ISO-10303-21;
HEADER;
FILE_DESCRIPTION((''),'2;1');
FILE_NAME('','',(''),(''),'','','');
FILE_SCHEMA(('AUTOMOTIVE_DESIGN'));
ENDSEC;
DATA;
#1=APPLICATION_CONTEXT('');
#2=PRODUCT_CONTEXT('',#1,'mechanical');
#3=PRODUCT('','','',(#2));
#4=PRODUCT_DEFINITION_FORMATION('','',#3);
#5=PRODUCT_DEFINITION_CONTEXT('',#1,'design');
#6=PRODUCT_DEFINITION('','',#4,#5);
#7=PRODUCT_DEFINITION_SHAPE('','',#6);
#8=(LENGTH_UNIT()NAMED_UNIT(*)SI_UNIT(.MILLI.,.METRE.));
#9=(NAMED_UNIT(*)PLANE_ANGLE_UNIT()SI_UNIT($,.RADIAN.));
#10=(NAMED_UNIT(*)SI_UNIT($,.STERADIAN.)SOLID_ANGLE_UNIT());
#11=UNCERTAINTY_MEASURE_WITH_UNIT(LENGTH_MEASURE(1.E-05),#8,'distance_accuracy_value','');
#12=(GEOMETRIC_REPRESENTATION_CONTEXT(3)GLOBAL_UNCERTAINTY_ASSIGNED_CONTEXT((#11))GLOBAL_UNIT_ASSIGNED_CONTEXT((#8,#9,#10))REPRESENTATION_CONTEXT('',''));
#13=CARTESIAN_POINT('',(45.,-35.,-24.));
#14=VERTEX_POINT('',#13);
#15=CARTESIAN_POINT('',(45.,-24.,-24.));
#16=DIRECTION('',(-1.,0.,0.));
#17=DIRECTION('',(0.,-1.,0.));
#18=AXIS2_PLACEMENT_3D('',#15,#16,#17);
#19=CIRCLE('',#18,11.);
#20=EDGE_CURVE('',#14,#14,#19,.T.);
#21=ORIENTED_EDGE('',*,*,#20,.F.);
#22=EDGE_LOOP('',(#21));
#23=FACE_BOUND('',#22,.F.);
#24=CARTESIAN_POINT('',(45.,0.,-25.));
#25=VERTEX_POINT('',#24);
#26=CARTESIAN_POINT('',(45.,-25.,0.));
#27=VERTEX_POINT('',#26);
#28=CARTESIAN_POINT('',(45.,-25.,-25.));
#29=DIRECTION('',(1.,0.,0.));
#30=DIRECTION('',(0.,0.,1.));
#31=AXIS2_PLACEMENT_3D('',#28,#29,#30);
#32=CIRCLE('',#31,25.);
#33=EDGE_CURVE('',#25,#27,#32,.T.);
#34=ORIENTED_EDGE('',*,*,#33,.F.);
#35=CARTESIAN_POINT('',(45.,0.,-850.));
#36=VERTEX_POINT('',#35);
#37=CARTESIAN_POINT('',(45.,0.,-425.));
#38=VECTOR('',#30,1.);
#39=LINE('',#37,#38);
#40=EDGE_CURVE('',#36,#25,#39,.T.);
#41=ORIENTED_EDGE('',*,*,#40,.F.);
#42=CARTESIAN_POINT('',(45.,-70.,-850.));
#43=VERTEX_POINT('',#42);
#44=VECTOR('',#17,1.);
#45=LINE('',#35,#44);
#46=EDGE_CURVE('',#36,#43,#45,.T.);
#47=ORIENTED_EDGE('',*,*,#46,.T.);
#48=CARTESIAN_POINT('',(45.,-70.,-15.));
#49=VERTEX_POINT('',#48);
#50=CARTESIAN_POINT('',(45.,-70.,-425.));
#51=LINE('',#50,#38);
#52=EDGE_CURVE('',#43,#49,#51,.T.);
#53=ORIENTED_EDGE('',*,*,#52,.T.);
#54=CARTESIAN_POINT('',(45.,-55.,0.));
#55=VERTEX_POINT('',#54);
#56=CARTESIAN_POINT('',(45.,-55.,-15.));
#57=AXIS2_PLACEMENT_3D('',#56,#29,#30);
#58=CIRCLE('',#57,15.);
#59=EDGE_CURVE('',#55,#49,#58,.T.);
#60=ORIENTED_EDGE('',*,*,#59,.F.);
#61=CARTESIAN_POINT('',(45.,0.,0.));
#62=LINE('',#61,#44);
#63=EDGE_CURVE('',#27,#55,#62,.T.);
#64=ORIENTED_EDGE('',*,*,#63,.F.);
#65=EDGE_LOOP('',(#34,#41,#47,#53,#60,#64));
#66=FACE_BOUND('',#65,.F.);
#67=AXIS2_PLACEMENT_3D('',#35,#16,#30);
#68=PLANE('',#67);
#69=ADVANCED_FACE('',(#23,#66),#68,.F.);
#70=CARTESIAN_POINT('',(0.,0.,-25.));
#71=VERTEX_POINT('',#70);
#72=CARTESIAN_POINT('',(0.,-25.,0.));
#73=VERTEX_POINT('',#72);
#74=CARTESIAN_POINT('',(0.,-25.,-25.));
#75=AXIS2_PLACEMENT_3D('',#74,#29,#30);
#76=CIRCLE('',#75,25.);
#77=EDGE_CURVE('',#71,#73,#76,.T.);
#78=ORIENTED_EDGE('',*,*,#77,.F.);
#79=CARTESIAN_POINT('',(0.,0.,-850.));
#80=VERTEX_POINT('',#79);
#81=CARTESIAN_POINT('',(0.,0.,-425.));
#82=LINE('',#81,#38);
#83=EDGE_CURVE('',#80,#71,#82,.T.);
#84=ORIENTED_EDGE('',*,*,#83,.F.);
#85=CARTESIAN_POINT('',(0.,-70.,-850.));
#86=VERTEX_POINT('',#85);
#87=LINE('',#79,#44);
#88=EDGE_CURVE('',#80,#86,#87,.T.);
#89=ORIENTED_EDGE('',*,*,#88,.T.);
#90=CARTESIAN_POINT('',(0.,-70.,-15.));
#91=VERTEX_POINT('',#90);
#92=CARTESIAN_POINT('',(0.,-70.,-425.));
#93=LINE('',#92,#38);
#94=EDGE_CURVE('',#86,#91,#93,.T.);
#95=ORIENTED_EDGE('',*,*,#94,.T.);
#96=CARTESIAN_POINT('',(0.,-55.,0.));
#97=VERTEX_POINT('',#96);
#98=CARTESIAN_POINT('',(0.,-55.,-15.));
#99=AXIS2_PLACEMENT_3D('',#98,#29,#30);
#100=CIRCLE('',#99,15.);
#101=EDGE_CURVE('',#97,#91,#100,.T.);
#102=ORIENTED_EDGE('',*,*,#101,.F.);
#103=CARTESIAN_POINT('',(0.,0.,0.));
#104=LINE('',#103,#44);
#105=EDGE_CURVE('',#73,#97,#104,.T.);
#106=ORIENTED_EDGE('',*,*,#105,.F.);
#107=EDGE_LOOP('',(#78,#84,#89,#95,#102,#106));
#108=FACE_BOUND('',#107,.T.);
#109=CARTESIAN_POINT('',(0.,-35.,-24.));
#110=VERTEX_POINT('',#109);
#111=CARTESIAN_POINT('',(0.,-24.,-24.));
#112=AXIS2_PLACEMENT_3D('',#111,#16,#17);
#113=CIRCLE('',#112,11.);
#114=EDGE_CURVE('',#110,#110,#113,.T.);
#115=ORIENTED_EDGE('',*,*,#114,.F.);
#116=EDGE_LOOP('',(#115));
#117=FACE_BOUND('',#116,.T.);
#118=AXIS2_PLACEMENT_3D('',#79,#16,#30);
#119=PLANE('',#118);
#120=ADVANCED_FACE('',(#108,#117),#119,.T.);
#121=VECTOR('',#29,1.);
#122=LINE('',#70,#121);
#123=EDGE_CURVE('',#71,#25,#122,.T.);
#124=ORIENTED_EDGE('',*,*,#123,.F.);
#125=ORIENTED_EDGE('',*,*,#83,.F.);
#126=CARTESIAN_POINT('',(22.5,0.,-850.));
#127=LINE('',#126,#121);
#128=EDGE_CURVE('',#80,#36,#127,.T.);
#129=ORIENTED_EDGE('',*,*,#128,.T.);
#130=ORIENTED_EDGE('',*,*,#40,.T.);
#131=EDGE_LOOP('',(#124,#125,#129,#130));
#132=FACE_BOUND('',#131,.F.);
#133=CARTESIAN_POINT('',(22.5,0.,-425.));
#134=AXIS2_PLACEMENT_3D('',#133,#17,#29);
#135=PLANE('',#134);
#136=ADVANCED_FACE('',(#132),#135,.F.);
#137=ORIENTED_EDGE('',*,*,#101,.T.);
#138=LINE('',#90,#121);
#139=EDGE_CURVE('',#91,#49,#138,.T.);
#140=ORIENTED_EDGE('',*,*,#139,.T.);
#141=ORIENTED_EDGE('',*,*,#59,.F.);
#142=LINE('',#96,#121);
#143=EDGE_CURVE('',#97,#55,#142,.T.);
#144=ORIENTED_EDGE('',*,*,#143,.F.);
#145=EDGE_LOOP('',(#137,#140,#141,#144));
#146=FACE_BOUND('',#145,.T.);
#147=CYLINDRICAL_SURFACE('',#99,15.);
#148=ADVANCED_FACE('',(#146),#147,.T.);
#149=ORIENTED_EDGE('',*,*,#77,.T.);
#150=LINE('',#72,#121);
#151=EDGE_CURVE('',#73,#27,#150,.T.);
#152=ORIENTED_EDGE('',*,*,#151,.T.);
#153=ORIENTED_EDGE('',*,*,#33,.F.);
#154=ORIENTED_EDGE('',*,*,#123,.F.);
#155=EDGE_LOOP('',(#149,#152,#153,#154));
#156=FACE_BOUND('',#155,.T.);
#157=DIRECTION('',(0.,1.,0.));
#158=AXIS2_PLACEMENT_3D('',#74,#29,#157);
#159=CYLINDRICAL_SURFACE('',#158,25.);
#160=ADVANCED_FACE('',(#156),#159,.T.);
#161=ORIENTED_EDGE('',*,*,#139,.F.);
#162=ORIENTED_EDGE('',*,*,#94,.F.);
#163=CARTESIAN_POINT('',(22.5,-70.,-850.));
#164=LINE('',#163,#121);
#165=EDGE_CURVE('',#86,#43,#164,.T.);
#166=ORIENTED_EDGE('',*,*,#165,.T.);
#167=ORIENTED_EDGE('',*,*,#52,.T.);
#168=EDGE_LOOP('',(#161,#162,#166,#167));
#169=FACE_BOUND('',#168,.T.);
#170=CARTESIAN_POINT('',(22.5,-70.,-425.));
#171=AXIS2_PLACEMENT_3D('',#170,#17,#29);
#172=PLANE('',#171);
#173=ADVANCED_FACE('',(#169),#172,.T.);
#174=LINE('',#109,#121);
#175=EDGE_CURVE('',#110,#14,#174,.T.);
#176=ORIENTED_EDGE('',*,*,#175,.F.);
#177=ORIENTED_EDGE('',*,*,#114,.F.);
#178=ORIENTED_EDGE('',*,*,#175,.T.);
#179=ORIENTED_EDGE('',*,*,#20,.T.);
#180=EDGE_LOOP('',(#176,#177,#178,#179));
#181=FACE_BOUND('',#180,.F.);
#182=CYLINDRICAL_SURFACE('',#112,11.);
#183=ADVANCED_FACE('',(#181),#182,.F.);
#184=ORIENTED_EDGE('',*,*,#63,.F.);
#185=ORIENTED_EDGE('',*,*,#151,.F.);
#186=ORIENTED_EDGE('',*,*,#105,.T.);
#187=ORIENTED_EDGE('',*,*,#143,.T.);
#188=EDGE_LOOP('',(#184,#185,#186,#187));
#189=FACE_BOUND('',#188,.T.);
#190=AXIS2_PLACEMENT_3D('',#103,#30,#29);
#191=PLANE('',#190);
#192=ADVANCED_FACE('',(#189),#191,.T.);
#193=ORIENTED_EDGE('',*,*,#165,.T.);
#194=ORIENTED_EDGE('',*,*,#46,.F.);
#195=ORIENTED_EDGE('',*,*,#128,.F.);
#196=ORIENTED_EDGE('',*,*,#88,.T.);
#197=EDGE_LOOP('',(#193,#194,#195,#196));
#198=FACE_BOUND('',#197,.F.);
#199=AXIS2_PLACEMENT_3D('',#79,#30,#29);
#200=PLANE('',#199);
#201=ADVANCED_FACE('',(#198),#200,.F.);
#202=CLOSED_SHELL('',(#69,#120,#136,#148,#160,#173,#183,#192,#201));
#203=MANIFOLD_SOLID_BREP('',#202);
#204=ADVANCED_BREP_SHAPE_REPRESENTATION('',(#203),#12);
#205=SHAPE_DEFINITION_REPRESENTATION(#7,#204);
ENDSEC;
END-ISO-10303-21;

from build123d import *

# Parameters (mm, degrees)
F0_W     = 45
F0_H     = 850
F1_DEPTH = 70
F2_R     = 11
F3_DEPTH = 45.001
F4_R     = 25
F5_R     = 15


with BuildPart() as f1:
    # F0 (on Front) → F1 (new body)
    with BuildSketch(Plane.XZ):
        with Locations((22.5, -425)):
            Rectangle(F0_W, F0_H)
    extrude(amount=F1_DEPTH)

    # F2 (on face) → F3 (cut, through all)
    with BuildSketch(Plane(origin=(0, 0, 0), x_dir=(0, -1, 0), z_dir=(-1, 0, 0))):
        with Locations((24, -24)):
            Circle(F2_R)
    extrude(amount=-F3_DEPTH, mode=Mode.SUBTRACT)

    # F4
    f4_edges = [f1.edges().sort_by_distance(p)[0] for p in [
        (22.5, 0, 0),
    ]]
    fillet(f4_edges, radius=F4_R)

    # F5
    f5_edges = [f1.edges().sort_by_distance(p)[0] for p in [
        (22.5, -70, 0),
    ]]
    fillet(f5_edges, radius=F5_R)


solid = f1.part
